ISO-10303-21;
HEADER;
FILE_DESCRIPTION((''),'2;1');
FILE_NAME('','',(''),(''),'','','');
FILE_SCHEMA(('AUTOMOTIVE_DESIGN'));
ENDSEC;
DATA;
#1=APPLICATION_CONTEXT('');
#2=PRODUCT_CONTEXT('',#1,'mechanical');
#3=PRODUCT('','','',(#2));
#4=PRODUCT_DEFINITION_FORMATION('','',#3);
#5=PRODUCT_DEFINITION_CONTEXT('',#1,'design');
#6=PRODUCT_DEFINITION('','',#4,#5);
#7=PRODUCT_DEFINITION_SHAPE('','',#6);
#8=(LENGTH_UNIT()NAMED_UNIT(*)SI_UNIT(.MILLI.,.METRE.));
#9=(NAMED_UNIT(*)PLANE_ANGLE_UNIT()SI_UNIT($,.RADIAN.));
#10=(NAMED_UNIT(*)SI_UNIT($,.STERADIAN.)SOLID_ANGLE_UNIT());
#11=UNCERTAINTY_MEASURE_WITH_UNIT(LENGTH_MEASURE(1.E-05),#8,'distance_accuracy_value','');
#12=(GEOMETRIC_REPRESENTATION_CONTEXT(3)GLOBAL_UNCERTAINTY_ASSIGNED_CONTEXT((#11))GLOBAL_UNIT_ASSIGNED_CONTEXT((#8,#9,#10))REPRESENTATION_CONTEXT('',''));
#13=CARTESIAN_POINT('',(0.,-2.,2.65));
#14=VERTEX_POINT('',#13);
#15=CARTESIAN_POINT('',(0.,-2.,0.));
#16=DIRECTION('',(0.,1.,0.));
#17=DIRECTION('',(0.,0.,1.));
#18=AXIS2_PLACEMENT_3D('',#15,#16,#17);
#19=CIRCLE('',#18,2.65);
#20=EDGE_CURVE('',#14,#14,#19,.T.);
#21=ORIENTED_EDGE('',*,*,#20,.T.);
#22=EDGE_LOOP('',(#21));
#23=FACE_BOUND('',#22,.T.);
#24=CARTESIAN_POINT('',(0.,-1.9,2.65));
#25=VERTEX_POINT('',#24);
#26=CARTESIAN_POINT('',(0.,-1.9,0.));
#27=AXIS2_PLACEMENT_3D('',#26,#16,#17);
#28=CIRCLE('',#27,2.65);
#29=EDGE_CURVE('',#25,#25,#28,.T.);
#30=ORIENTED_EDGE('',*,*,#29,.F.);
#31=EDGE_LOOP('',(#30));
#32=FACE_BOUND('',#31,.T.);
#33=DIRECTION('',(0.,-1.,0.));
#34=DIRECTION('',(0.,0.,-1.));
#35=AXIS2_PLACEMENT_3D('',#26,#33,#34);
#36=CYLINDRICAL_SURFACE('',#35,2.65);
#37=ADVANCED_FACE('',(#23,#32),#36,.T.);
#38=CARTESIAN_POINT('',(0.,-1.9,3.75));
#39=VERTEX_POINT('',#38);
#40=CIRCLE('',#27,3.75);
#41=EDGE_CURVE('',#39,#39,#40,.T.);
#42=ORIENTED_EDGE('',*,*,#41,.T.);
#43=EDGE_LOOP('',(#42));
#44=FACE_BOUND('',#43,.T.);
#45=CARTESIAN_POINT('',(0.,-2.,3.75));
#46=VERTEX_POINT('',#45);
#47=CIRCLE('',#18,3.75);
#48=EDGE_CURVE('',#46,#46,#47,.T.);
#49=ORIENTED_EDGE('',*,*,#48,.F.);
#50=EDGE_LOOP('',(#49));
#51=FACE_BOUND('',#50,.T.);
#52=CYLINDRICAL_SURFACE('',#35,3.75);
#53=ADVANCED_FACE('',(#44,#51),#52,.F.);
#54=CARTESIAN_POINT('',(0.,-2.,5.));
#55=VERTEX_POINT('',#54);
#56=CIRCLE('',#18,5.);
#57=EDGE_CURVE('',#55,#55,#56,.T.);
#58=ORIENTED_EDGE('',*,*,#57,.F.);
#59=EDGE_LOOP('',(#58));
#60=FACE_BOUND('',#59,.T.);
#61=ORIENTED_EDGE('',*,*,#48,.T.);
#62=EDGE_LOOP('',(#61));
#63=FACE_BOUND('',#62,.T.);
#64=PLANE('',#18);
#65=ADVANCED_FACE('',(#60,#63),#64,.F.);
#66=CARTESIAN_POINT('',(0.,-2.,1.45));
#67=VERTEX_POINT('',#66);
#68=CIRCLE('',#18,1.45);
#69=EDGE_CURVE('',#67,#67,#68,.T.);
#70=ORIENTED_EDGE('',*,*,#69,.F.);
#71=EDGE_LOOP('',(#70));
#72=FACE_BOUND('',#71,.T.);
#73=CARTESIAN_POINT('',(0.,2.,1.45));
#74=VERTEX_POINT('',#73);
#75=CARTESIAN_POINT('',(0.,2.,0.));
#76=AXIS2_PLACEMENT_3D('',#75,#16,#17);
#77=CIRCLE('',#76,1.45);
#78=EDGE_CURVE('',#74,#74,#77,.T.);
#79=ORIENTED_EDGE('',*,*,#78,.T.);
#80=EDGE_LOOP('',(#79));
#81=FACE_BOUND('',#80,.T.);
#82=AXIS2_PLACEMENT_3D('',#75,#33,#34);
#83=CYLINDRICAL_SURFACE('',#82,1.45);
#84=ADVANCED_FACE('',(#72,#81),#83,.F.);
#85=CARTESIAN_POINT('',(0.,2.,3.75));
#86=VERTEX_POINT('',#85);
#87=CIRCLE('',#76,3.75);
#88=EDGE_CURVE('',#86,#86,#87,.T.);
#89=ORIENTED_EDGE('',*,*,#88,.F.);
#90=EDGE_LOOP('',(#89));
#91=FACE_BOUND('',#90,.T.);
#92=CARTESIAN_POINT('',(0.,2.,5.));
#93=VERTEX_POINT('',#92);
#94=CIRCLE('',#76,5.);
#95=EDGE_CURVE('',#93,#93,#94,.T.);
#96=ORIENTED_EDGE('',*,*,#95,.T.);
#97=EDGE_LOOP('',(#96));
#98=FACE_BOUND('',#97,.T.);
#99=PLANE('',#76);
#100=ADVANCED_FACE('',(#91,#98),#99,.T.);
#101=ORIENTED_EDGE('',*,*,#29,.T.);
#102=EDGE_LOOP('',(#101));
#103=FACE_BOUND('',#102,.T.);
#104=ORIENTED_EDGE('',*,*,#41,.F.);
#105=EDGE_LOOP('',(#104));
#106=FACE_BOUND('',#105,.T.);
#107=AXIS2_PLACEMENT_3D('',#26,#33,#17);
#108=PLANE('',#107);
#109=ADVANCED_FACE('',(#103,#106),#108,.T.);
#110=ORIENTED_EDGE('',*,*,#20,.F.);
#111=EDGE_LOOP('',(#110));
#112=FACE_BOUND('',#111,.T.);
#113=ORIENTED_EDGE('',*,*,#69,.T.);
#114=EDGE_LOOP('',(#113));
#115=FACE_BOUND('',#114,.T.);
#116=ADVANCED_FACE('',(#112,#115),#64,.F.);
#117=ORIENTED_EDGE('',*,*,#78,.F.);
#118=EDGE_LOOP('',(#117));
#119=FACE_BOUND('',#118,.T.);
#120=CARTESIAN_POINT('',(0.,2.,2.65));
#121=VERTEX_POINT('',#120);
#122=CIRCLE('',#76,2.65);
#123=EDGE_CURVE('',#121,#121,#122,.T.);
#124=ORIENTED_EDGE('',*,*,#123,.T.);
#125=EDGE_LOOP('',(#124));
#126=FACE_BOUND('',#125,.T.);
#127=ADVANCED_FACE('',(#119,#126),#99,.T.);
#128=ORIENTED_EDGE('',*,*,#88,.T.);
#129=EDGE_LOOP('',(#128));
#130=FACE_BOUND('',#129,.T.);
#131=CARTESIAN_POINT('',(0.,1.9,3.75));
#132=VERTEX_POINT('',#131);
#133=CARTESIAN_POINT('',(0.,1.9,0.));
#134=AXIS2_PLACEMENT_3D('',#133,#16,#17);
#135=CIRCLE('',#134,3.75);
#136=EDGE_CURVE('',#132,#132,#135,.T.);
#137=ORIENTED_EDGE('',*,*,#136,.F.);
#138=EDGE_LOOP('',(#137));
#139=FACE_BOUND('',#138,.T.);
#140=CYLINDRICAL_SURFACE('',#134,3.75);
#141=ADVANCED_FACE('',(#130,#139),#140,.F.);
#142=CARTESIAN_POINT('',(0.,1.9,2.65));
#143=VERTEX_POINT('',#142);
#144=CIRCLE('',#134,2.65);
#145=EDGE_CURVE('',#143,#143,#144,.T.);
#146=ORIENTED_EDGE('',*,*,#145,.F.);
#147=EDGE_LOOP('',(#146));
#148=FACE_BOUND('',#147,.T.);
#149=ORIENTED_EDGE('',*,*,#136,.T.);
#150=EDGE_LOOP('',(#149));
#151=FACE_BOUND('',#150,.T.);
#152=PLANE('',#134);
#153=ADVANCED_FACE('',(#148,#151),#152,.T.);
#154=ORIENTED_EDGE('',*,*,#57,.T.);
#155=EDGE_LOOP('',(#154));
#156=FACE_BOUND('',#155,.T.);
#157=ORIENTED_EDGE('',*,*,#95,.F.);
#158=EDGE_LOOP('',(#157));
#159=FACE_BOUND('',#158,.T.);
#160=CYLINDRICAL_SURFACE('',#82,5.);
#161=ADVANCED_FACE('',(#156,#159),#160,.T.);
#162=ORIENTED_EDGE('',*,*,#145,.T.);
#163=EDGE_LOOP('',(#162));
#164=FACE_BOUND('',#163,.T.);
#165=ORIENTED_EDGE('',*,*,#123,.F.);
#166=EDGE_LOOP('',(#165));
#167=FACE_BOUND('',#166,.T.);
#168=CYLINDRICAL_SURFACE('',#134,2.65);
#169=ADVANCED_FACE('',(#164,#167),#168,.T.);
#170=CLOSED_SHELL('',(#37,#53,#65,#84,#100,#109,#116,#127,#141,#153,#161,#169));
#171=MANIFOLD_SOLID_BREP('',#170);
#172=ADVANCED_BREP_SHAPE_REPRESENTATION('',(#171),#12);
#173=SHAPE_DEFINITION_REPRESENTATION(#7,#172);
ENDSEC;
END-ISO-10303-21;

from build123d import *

# Parameters (mm, degrees)
SKETCH_1_R          = 5
SKETCH_1_R_2        = 1.45
EXTRUDE_1_DEPTH     = 2
SKETCH_2_R          = 3.75
SKETCH_2_R_2        = 2.65
CUT_EXTRUDE_1_DEPTH = 0.1


with BuildPart() as part:
    # Эскиз1 → Бобышка-Вытянуть1 (new, symmetric)
    with BuildSketch(Plane(origin=(0, 0, 0), x_dir=(1, 0, 0), z_dir=(0, 1, 0))):
        with Locations(Location((0, 0, 0), (0, 0, 270))):
            Circle(SKETCH_1_R)
        with Locations(Location((0, 0, 0), (0, 0, 270))):
            Circle(SKETCH_1_R_2, mode=Mode.SUBTRACT)
    extrude(amount=EXTRUDE_1_DEPTH, both=True)

    # Эскиз2 → Вырез-Вытянуть1 (cut)
    with BuildSketch(Plane(origin=(0, 2, 0), x_dir=(1, 0, 0), z_dir=(0, 1, 0))):
        with Locations(Location((0, 0, 0), (0, 0, 270))):
            Circle(SKETCH_2_R)
        with Locations(Location((0, 0, 0), (0, 0, 270))):
            Circle(SKETCH_2_R_2, mode=Mode.SUBTRACT)
    cut_extrude_1 = extrude(amount=-CUT_EXTRUDE_1_DEPTH, mode=Mode.SUBTRACT)

    # Зеркальное отражение1: Вырез-Вытянуть1 across plane
    add(cut_extrude_1.mirror(Plane.ZX), mode=Mode.SUBTRACT)


solid = part.part
